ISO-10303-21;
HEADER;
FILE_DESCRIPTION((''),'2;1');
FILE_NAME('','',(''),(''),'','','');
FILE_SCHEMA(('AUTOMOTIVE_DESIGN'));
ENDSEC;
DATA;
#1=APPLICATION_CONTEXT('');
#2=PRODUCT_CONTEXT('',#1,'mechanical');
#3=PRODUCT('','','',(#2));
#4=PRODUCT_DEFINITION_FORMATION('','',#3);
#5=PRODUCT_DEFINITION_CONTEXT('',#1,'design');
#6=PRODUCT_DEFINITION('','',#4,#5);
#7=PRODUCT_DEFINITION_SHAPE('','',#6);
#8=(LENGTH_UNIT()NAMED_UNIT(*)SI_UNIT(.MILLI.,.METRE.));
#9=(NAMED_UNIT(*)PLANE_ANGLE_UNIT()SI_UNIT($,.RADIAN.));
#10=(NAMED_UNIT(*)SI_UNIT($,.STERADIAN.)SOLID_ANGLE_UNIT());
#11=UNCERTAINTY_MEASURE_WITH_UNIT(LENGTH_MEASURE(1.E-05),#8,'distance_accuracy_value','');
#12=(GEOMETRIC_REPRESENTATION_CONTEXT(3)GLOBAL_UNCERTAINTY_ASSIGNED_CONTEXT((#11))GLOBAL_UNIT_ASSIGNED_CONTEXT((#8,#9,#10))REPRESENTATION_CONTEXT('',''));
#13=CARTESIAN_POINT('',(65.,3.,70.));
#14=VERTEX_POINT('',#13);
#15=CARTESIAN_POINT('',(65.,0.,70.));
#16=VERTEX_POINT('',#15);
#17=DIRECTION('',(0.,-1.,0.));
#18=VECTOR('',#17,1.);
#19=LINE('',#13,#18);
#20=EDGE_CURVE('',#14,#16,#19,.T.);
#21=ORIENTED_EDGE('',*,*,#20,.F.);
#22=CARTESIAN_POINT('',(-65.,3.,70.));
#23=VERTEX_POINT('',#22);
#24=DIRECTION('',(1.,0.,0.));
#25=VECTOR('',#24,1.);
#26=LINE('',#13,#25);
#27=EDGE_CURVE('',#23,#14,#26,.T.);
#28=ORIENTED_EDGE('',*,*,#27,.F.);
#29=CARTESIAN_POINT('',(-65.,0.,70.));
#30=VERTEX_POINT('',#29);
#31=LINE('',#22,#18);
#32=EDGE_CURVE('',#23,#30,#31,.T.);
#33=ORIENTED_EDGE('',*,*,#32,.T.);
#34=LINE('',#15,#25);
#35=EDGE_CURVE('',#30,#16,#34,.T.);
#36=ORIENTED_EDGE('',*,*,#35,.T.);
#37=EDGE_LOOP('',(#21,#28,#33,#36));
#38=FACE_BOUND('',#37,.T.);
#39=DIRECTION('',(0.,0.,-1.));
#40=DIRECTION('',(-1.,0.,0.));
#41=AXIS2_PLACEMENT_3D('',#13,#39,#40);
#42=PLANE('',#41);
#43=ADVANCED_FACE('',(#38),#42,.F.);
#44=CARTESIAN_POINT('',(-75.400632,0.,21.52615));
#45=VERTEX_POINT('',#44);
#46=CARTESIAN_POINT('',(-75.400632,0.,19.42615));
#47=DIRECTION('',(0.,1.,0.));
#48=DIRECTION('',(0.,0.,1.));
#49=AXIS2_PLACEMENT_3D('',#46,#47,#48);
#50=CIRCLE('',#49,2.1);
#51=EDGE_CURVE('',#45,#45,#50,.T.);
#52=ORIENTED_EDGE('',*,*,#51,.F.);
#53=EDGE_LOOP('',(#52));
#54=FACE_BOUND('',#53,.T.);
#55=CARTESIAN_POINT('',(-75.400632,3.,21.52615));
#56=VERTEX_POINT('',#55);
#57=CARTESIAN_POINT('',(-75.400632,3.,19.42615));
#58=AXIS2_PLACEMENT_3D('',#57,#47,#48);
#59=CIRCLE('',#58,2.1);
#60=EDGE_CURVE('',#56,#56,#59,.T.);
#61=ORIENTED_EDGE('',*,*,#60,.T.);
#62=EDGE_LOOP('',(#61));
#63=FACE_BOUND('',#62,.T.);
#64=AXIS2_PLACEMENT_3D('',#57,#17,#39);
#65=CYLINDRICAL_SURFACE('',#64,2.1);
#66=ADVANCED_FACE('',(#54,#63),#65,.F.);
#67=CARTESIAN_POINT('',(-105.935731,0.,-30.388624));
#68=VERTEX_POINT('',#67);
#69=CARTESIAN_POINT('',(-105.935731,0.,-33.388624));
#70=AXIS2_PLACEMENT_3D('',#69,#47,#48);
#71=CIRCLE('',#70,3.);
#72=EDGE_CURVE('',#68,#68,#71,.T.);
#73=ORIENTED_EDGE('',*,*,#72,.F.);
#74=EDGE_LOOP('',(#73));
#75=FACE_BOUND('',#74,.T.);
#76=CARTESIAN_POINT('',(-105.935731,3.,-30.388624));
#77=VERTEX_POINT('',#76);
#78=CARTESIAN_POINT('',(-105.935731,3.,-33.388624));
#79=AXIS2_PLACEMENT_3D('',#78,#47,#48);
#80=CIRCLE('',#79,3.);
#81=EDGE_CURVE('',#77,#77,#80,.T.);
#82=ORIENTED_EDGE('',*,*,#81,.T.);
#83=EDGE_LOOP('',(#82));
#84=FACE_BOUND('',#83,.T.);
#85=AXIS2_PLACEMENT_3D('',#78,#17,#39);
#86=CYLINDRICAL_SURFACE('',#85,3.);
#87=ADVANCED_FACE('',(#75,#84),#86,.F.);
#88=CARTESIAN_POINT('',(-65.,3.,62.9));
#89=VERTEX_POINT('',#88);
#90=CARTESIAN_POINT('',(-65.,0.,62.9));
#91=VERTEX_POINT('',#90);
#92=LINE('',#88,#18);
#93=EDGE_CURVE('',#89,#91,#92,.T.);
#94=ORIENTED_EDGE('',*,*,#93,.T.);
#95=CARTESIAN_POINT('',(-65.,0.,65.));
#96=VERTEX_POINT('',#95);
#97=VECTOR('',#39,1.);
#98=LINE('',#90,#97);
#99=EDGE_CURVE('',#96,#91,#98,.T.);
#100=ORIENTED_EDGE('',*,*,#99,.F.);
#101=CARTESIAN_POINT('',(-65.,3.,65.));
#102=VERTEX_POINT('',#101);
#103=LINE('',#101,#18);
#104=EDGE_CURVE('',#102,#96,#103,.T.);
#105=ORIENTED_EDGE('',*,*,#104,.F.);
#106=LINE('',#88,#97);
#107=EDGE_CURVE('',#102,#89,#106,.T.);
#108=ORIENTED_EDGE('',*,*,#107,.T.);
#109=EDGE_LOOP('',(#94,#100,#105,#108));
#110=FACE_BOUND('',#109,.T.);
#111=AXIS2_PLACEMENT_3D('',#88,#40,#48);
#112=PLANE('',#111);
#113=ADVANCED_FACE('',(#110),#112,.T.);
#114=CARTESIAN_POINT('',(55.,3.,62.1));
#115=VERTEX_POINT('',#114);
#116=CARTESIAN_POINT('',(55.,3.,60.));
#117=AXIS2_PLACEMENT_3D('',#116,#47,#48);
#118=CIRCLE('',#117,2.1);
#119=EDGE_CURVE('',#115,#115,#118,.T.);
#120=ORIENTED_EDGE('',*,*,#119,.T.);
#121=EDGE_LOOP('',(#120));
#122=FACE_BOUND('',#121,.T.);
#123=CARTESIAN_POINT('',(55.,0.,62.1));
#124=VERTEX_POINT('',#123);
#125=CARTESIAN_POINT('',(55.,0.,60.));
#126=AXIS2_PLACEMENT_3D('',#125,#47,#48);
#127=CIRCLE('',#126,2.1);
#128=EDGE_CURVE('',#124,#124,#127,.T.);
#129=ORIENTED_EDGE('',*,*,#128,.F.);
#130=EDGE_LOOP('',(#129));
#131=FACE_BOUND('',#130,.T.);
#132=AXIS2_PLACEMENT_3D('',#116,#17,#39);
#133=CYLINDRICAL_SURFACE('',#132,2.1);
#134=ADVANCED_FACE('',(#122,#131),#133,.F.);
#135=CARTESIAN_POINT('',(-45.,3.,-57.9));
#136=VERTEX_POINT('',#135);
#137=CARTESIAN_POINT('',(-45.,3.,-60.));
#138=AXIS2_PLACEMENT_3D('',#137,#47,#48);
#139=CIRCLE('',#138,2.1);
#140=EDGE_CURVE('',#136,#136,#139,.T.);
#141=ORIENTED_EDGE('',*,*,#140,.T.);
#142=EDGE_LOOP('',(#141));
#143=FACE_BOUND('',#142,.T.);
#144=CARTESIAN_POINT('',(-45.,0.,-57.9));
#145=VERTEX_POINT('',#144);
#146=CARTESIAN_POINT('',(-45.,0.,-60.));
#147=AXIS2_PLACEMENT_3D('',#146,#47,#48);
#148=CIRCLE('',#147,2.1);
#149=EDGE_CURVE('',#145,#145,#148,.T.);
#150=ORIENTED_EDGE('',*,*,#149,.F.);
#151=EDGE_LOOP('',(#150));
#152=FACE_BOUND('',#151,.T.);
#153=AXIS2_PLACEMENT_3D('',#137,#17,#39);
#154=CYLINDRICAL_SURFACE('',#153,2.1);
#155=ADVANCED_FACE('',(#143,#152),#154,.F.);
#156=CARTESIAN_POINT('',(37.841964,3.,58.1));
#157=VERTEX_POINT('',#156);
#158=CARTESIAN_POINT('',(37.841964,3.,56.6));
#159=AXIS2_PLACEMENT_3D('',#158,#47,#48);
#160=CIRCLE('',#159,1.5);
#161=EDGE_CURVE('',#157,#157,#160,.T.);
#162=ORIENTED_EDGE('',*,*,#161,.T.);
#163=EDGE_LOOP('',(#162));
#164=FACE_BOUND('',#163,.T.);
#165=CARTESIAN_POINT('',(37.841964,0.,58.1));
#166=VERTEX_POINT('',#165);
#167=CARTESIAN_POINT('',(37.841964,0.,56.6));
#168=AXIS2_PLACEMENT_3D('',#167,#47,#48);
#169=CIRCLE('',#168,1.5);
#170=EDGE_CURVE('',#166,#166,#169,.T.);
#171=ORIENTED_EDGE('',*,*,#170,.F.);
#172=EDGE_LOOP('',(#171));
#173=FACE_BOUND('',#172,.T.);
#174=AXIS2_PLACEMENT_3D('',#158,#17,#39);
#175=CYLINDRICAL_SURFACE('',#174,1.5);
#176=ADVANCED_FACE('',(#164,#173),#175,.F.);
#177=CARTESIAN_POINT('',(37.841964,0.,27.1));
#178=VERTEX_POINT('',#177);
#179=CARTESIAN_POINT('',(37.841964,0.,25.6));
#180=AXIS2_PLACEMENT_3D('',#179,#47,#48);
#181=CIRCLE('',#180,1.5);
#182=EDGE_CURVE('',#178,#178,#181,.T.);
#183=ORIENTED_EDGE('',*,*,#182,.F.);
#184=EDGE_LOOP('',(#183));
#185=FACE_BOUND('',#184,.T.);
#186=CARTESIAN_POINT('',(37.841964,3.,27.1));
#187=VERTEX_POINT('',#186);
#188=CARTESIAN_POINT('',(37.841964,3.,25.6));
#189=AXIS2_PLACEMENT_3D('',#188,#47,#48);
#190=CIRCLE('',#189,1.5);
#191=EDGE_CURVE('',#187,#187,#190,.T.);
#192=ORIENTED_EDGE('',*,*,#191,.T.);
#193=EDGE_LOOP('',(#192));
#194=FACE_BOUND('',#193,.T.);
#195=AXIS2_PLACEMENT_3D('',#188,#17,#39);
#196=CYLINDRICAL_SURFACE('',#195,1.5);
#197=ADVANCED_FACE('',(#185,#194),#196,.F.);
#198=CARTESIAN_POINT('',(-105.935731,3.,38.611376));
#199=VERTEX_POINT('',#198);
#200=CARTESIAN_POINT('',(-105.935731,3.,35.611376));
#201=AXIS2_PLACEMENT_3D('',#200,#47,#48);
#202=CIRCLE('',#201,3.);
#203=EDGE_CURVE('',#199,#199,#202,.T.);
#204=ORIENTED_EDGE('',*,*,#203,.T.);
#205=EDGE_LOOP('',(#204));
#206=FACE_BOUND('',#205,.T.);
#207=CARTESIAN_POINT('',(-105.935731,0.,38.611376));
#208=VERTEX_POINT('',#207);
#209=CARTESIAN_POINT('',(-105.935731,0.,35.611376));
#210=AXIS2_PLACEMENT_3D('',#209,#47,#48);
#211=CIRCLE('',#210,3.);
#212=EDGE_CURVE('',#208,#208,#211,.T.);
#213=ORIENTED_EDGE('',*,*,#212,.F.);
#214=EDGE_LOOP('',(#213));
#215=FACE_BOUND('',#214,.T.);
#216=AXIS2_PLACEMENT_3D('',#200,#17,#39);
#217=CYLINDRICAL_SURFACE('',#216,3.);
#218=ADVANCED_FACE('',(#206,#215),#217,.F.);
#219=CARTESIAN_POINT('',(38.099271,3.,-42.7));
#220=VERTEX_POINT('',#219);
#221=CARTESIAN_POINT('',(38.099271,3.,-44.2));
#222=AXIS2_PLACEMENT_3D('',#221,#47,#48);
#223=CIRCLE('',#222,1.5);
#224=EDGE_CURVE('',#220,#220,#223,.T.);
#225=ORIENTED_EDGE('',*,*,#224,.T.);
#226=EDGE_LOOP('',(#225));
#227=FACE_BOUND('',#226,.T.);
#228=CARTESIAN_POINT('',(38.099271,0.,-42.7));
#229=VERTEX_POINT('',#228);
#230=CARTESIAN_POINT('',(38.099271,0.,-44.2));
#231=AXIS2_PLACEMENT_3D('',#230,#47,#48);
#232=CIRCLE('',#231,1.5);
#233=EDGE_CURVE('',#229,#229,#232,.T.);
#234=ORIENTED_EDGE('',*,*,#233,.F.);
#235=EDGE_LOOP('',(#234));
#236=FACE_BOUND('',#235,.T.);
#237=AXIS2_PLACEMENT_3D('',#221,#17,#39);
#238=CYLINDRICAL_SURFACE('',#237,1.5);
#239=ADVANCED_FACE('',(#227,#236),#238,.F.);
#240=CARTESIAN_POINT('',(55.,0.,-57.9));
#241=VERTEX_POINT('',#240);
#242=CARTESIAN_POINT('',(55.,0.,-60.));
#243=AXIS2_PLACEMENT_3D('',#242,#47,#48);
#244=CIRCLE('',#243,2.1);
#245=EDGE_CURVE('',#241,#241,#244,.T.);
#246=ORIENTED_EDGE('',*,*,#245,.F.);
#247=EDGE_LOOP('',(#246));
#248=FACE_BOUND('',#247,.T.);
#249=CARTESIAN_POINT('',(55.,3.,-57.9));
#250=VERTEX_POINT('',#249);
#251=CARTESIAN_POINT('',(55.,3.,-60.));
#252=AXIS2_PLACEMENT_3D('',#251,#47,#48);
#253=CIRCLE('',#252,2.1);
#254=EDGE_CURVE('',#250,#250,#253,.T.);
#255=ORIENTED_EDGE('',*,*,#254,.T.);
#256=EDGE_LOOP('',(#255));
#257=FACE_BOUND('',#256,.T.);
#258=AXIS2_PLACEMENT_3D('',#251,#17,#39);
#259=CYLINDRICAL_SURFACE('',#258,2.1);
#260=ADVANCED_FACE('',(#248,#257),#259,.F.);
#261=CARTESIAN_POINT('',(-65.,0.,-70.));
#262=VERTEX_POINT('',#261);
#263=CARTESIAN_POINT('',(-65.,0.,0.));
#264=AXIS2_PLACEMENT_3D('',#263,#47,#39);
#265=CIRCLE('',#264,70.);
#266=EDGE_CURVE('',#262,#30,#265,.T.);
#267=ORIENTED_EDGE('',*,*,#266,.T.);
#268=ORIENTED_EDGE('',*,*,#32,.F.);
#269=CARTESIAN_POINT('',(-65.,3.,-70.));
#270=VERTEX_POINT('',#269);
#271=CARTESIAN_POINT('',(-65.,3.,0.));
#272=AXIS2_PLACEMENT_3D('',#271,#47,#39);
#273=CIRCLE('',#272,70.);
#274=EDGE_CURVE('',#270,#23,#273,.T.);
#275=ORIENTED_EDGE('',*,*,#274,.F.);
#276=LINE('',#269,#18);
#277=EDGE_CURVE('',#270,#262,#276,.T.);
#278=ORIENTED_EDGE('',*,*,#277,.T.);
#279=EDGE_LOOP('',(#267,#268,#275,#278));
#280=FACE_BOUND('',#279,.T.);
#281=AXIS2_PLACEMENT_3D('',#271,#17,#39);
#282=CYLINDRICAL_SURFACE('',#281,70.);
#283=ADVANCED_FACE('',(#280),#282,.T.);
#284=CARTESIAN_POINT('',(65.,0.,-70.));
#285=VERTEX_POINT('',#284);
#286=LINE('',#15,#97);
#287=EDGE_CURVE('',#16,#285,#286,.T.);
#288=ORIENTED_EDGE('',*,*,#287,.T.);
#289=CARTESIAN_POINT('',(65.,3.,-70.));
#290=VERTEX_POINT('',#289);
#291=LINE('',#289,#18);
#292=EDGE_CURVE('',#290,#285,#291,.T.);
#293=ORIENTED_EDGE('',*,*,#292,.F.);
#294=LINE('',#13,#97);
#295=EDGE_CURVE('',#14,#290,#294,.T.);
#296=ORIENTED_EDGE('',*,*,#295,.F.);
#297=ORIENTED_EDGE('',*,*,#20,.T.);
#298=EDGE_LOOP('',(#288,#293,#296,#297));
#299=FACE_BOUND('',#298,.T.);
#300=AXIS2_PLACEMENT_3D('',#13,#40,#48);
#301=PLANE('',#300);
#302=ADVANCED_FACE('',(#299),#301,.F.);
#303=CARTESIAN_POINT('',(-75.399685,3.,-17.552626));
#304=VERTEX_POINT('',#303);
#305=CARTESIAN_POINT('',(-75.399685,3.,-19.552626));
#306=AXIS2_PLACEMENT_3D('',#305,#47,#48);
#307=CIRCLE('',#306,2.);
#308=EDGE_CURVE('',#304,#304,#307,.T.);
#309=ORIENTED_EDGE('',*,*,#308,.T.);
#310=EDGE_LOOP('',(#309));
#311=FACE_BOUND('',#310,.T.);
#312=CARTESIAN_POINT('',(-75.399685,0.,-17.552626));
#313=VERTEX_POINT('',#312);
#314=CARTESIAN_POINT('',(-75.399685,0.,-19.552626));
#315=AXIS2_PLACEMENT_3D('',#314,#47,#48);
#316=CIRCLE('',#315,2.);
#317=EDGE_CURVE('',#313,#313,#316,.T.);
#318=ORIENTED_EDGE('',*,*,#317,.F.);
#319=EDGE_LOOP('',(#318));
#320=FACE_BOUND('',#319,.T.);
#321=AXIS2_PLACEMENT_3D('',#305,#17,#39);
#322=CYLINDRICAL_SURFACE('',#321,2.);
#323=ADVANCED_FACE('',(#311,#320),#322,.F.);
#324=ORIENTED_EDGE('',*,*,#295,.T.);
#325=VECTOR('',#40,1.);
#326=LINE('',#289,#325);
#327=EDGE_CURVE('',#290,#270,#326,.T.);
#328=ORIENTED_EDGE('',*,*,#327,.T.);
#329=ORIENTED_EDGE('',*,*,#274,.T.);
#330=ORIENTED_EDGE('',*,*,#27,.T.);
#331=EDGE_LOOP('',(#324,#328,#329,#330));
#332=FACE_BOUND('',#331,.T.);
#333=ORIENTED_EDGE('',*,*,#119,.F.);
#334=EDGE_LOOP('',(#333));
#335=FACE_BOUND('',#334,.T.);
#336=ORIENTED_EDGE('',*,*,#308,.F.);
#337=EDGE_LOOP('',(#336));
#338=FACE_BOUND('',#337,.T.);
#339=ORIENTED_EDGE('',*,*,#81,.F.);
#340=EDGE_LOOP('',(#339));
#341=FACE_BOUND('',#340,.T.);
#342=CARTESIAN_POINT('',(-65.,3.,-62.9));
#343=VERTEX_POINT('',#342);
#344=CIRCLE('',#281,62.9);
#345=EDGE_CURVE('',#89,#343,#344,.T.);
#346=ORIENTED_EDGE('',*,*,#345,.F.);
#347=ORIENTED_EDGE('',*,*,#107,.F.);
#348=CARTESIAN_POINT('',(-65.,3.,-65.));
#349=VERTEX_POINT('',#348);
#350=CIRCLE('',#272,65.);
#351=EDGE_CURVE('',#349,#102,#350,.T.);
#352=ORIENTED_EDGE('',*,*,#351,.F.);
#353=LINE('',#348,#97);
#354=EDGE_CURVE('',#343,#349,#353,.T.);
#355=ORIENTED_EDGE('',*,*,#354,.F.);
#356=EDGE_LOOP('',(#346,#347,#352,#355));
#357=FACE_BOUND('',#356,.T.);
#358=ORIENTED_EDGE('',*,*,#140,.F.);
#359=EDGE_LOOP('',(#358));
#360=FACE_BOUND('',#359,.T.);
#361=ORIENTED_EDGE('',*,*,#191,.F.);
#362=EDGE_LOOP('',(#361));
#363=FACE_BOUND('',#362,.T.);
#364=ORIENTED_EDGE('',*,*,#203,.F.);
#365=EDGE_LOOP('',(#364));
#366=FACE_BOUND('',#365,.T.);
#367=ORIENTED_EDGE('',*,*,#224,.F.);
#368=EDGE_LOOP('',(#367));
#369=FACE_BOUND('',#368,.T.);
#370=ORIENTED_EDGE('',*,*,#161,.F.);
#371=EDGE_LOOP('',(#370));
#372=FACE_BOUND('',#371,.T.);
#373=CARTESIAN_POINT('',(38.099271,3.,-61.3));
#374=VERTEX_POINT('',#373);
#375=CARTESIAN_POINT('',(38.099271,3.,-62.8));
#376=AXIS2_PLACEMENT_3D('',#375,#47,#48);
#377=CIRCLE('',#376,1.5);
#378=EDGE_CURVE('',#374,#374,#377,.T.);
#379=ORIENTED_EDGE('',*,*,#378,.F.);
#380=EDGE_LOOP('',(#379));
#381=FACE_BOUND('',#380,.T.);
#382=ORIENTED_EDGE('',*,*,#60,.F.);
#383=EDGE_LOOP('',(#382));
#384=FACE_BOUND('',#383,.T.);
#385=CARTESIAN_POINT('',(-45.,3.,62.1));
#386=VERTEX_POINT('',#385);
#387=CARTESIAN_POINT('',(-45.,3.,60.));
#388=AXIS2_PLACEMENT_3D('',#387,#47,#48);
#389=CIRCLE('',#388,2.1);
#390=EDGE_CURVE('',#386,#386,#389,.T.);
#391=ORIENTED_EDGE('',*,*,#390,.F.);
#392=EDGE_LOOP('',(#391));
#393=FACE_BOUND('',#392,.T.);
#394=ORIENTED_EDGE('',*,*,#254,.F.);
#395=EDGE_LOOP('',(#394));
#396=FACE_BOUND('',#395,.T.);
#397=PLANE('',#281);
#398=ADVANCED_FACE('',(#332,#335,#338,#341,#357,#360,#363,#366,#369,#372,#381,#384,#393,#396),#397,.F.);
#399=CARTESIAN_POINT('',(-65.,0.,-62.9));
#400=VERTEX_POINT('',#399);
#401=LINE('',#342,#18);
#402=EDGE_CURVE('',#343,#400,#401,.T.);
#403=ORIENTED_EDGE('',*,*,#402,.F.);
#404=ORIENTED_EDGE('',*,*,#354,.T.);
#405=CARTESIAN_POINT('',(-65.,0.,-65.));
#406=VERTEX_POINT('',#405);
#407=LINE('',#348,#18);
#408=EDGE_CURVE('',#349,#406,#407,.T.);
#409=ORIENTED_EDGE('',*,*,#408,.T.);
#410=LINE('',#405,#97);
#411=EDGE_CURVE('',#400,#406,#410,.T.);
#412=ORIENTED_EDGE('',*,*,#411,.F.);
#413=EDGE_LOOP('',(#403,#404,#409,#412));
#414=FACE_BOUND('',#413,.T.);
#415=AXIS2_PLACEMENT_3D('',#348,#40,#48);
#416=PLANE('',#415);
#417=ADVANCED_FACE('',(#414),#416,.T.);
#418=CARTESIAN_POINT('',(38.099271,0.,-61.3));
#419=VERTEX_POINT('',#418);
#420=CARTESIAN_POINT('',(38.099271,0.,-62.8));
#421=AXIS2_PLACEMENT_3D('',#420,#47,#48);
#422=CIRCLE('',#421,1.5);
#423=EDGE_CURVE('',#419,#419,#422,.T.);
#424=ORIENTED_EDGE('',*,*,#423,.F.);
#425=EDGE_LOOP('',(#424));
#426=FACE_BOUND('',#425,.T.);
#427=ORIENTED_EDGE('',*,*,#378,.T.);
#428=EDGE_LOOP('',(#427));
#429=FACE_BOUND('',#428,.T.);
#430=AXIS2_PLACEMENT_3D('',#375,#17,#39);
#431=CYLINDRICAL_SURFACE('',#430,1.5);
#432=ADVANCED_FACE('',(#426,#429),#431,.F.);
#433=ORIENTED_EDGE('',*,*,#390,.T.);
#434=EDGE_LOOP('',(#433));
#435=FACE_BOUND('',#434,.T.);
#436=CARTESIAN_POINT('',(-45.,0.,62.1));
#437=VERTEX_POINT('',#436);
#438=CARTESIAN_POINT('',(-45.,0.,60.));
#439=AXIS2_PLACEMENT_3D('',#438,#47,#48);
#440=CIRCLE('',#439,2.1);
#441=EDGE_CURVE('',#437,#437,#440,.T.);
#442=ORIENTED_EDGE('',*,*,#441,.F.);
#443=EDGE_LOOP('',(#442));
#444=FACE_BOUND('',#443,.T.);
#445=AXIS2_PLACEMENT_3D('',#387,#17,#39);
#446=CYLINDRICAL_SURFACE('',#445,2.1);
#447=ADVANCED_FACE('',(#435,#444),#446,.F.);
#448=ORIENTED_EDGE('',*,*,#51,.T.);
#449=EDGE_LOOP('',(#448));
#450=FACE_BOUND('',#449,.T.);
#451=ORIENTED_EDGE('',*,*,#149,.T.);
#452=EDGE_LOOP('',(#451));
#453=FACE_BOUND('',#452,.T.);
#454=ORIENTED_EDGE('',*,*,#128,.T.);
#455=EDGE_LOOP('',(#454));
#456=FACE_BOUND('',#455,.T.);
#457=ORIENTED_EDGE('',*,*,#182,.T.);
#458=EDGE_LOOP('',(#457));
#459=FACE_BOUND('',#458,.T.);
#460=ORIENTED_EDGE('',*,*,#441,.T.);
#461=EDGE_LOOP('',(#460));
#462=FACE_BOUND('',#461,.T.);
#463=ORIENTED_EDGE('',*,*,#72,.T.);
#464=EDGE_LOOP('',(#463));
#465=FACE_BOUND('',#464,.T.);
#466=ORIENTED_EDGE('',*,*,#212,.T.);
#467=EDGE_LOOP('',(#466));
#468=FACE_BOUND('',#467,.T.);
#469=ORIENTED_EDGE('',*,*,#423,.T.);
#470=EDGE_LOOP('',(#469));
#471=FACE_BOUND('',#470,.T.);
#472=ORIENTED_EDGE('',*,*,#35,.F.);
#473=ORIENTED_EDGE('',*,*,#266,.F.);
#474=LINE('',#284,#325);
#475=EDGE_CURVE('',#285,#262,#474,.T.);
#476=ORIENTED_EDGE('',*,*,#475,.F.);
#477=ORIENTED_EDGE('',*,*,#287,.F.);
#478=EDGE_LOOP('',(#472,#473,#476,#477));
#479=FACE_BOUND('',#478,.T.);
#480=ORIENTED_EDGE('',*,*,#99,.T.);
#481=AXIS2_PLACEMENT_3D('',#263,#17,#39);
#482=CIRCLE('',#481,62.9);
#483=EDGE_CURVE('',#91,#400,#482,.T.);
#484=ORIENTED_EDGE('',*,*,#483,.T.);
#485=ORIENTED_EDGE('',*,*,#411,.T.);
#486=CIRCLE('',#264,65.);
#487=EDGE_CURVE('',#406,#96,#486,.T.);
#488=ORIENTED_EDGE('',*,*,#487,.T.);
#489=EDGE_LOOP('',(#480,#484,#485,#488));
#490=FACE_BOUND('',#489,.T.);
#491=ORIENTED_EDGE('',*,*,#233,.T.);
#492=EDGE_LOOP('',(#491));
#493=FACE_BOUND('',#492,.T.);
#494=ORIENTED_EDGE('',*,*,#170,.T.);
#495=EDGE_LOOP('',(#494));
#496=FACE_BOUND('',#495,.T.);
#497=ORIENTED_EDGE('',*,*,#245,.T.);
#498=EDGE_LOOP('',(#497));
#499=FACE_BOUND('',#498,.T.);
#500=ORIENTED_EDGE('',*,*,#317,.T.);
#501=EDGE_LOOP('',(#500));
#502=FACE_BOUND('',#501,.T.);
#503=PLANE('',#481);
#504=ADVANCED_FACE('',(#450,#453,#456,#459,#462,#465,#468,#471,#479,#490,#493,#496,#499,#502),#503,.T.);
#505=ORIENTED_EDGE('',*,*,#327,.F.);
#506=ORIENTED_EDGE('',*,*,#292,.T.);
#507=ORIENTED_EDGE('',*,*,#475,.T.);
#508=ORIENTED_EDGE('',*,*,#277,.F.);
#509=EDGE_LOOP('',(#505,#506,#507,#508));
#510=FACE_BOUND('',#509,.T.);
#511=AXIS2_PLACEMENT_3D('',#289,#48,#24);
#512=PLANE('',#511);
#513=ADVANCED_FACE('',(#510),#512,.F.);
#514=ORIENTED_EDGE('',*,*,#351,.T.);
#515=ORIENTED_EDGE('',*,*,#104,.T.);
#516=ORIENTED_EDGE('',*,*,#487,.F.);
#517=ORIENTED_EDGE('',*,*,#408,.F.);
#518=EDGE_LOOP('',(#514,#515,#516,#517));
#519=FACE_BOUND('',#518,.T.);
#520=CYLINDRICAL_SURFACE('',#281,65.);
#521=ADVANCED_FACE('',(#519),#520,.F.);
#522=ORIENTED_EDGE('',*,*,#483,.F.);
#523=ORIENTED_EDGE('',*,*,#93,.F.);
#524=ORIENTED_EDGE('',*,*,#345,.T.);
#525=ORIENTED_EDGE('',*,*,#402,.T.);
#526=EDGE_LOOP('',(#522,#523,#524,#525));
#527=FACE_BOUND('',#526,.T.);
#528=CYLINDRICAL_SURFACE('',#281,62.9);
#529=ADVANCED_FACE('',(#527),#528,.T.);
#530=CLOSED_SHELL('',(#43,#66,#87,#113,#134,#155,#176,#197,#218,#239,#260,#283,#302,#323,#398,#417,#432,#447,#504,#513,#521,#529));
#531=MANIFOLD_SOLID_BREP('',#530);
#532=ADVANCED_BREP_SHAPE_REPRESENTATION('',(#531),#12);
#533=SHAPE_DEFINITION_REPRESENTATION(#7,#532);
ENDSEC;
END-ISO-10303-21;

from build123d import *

# Parameters (mm, degrees)
SKETCH1_R           = 2.1
SKETCH1_R_2         = 1.5
SKETCH1_R_3         = 2
SKETCH1_R_4         = 3
BOSS_EXTRUDE1_DEPTH = 3


with BuildPart() as part:
    # Sketch1 → Boss-Extrude1 (new body)
    with BuildSketch(Plane(origin=(0, 0, 0), x_dir=(1, 0, 0), z_dir=(0, 1, 0))):
        with BuildLine():
            Line((65, -70), (-65, -70))
            ThreePointArc((-65, -70), (-135, 0), (-65, 70))
            Line((-65, 70), (65, 70))
            Line((65, 70), (65, -70))
        make_face()
        with Locations((-45, -60)):
            Circle(SKETCH1_R, mode=Mode.SUBTRACT)
        with Locations((-45, 60)):
            Circle(SKETCH1_R, mode=Mode.SUBTRACT)
        with Locations((55, -60)):
            Circle(SKETCH1_R, mode=Mode.SUBTRACT)
        with Locations((55, 60)):
            Circle(SKETCH1_R, mode=Mode.SUBTRACT)
        with Locations((37.841964001, -25.6)):
            Circle(SKETCH1_R_2, mode=Mode.SUBTRACT)
        with Locations((37.841964001, -56.6)):
            Circle(SKETCH1_R_2, mode=Mode.SUBTRACT)
        with Locations((38.099271459, 44.2)):
            Circle(SKETCH1_R_2, mode=Mode.SUBTRACT)
        with Locations((38.099271459, 62.8)):
            Circle(SKETCH1_R_2, mode=Mode.SUBTRACT)
        with Locations((-75.400632029, -19.426149967)):
            Circle(SKETCH1_R, mode=Mode.SUBTRACT)
        with Locations((-75.399684811, 19.552626294)):
            Circle(SKETCH1_R_3, mode=Mode.SUBTRACT)
        with Locations((-105.935731265, 33.388623858)):
            Circle(SKETCH1_R_4, mode=Mode.SUBTRACT)
        with Locations((-105.935731265, -35.611376142)):
            Circle(SKETCH1_R_4, mode=Mode.SUBTRACT)
        with BuildLine():
            Line((-65, 65), (-65, 62.9))
            ThreePointArc((-65, 62.9), (-127.9, 0), (-65, -62.9))
            Line((-65, -62.9), (-65, -65))
            ThreePointArc((-65, -65), (-130, 0), (-65, 65))
        make_face(mode=Mode.SUBTRACT)
    extrude(amount=BOSS_EXTRUDE1_DEPTH)


solid = part.part
